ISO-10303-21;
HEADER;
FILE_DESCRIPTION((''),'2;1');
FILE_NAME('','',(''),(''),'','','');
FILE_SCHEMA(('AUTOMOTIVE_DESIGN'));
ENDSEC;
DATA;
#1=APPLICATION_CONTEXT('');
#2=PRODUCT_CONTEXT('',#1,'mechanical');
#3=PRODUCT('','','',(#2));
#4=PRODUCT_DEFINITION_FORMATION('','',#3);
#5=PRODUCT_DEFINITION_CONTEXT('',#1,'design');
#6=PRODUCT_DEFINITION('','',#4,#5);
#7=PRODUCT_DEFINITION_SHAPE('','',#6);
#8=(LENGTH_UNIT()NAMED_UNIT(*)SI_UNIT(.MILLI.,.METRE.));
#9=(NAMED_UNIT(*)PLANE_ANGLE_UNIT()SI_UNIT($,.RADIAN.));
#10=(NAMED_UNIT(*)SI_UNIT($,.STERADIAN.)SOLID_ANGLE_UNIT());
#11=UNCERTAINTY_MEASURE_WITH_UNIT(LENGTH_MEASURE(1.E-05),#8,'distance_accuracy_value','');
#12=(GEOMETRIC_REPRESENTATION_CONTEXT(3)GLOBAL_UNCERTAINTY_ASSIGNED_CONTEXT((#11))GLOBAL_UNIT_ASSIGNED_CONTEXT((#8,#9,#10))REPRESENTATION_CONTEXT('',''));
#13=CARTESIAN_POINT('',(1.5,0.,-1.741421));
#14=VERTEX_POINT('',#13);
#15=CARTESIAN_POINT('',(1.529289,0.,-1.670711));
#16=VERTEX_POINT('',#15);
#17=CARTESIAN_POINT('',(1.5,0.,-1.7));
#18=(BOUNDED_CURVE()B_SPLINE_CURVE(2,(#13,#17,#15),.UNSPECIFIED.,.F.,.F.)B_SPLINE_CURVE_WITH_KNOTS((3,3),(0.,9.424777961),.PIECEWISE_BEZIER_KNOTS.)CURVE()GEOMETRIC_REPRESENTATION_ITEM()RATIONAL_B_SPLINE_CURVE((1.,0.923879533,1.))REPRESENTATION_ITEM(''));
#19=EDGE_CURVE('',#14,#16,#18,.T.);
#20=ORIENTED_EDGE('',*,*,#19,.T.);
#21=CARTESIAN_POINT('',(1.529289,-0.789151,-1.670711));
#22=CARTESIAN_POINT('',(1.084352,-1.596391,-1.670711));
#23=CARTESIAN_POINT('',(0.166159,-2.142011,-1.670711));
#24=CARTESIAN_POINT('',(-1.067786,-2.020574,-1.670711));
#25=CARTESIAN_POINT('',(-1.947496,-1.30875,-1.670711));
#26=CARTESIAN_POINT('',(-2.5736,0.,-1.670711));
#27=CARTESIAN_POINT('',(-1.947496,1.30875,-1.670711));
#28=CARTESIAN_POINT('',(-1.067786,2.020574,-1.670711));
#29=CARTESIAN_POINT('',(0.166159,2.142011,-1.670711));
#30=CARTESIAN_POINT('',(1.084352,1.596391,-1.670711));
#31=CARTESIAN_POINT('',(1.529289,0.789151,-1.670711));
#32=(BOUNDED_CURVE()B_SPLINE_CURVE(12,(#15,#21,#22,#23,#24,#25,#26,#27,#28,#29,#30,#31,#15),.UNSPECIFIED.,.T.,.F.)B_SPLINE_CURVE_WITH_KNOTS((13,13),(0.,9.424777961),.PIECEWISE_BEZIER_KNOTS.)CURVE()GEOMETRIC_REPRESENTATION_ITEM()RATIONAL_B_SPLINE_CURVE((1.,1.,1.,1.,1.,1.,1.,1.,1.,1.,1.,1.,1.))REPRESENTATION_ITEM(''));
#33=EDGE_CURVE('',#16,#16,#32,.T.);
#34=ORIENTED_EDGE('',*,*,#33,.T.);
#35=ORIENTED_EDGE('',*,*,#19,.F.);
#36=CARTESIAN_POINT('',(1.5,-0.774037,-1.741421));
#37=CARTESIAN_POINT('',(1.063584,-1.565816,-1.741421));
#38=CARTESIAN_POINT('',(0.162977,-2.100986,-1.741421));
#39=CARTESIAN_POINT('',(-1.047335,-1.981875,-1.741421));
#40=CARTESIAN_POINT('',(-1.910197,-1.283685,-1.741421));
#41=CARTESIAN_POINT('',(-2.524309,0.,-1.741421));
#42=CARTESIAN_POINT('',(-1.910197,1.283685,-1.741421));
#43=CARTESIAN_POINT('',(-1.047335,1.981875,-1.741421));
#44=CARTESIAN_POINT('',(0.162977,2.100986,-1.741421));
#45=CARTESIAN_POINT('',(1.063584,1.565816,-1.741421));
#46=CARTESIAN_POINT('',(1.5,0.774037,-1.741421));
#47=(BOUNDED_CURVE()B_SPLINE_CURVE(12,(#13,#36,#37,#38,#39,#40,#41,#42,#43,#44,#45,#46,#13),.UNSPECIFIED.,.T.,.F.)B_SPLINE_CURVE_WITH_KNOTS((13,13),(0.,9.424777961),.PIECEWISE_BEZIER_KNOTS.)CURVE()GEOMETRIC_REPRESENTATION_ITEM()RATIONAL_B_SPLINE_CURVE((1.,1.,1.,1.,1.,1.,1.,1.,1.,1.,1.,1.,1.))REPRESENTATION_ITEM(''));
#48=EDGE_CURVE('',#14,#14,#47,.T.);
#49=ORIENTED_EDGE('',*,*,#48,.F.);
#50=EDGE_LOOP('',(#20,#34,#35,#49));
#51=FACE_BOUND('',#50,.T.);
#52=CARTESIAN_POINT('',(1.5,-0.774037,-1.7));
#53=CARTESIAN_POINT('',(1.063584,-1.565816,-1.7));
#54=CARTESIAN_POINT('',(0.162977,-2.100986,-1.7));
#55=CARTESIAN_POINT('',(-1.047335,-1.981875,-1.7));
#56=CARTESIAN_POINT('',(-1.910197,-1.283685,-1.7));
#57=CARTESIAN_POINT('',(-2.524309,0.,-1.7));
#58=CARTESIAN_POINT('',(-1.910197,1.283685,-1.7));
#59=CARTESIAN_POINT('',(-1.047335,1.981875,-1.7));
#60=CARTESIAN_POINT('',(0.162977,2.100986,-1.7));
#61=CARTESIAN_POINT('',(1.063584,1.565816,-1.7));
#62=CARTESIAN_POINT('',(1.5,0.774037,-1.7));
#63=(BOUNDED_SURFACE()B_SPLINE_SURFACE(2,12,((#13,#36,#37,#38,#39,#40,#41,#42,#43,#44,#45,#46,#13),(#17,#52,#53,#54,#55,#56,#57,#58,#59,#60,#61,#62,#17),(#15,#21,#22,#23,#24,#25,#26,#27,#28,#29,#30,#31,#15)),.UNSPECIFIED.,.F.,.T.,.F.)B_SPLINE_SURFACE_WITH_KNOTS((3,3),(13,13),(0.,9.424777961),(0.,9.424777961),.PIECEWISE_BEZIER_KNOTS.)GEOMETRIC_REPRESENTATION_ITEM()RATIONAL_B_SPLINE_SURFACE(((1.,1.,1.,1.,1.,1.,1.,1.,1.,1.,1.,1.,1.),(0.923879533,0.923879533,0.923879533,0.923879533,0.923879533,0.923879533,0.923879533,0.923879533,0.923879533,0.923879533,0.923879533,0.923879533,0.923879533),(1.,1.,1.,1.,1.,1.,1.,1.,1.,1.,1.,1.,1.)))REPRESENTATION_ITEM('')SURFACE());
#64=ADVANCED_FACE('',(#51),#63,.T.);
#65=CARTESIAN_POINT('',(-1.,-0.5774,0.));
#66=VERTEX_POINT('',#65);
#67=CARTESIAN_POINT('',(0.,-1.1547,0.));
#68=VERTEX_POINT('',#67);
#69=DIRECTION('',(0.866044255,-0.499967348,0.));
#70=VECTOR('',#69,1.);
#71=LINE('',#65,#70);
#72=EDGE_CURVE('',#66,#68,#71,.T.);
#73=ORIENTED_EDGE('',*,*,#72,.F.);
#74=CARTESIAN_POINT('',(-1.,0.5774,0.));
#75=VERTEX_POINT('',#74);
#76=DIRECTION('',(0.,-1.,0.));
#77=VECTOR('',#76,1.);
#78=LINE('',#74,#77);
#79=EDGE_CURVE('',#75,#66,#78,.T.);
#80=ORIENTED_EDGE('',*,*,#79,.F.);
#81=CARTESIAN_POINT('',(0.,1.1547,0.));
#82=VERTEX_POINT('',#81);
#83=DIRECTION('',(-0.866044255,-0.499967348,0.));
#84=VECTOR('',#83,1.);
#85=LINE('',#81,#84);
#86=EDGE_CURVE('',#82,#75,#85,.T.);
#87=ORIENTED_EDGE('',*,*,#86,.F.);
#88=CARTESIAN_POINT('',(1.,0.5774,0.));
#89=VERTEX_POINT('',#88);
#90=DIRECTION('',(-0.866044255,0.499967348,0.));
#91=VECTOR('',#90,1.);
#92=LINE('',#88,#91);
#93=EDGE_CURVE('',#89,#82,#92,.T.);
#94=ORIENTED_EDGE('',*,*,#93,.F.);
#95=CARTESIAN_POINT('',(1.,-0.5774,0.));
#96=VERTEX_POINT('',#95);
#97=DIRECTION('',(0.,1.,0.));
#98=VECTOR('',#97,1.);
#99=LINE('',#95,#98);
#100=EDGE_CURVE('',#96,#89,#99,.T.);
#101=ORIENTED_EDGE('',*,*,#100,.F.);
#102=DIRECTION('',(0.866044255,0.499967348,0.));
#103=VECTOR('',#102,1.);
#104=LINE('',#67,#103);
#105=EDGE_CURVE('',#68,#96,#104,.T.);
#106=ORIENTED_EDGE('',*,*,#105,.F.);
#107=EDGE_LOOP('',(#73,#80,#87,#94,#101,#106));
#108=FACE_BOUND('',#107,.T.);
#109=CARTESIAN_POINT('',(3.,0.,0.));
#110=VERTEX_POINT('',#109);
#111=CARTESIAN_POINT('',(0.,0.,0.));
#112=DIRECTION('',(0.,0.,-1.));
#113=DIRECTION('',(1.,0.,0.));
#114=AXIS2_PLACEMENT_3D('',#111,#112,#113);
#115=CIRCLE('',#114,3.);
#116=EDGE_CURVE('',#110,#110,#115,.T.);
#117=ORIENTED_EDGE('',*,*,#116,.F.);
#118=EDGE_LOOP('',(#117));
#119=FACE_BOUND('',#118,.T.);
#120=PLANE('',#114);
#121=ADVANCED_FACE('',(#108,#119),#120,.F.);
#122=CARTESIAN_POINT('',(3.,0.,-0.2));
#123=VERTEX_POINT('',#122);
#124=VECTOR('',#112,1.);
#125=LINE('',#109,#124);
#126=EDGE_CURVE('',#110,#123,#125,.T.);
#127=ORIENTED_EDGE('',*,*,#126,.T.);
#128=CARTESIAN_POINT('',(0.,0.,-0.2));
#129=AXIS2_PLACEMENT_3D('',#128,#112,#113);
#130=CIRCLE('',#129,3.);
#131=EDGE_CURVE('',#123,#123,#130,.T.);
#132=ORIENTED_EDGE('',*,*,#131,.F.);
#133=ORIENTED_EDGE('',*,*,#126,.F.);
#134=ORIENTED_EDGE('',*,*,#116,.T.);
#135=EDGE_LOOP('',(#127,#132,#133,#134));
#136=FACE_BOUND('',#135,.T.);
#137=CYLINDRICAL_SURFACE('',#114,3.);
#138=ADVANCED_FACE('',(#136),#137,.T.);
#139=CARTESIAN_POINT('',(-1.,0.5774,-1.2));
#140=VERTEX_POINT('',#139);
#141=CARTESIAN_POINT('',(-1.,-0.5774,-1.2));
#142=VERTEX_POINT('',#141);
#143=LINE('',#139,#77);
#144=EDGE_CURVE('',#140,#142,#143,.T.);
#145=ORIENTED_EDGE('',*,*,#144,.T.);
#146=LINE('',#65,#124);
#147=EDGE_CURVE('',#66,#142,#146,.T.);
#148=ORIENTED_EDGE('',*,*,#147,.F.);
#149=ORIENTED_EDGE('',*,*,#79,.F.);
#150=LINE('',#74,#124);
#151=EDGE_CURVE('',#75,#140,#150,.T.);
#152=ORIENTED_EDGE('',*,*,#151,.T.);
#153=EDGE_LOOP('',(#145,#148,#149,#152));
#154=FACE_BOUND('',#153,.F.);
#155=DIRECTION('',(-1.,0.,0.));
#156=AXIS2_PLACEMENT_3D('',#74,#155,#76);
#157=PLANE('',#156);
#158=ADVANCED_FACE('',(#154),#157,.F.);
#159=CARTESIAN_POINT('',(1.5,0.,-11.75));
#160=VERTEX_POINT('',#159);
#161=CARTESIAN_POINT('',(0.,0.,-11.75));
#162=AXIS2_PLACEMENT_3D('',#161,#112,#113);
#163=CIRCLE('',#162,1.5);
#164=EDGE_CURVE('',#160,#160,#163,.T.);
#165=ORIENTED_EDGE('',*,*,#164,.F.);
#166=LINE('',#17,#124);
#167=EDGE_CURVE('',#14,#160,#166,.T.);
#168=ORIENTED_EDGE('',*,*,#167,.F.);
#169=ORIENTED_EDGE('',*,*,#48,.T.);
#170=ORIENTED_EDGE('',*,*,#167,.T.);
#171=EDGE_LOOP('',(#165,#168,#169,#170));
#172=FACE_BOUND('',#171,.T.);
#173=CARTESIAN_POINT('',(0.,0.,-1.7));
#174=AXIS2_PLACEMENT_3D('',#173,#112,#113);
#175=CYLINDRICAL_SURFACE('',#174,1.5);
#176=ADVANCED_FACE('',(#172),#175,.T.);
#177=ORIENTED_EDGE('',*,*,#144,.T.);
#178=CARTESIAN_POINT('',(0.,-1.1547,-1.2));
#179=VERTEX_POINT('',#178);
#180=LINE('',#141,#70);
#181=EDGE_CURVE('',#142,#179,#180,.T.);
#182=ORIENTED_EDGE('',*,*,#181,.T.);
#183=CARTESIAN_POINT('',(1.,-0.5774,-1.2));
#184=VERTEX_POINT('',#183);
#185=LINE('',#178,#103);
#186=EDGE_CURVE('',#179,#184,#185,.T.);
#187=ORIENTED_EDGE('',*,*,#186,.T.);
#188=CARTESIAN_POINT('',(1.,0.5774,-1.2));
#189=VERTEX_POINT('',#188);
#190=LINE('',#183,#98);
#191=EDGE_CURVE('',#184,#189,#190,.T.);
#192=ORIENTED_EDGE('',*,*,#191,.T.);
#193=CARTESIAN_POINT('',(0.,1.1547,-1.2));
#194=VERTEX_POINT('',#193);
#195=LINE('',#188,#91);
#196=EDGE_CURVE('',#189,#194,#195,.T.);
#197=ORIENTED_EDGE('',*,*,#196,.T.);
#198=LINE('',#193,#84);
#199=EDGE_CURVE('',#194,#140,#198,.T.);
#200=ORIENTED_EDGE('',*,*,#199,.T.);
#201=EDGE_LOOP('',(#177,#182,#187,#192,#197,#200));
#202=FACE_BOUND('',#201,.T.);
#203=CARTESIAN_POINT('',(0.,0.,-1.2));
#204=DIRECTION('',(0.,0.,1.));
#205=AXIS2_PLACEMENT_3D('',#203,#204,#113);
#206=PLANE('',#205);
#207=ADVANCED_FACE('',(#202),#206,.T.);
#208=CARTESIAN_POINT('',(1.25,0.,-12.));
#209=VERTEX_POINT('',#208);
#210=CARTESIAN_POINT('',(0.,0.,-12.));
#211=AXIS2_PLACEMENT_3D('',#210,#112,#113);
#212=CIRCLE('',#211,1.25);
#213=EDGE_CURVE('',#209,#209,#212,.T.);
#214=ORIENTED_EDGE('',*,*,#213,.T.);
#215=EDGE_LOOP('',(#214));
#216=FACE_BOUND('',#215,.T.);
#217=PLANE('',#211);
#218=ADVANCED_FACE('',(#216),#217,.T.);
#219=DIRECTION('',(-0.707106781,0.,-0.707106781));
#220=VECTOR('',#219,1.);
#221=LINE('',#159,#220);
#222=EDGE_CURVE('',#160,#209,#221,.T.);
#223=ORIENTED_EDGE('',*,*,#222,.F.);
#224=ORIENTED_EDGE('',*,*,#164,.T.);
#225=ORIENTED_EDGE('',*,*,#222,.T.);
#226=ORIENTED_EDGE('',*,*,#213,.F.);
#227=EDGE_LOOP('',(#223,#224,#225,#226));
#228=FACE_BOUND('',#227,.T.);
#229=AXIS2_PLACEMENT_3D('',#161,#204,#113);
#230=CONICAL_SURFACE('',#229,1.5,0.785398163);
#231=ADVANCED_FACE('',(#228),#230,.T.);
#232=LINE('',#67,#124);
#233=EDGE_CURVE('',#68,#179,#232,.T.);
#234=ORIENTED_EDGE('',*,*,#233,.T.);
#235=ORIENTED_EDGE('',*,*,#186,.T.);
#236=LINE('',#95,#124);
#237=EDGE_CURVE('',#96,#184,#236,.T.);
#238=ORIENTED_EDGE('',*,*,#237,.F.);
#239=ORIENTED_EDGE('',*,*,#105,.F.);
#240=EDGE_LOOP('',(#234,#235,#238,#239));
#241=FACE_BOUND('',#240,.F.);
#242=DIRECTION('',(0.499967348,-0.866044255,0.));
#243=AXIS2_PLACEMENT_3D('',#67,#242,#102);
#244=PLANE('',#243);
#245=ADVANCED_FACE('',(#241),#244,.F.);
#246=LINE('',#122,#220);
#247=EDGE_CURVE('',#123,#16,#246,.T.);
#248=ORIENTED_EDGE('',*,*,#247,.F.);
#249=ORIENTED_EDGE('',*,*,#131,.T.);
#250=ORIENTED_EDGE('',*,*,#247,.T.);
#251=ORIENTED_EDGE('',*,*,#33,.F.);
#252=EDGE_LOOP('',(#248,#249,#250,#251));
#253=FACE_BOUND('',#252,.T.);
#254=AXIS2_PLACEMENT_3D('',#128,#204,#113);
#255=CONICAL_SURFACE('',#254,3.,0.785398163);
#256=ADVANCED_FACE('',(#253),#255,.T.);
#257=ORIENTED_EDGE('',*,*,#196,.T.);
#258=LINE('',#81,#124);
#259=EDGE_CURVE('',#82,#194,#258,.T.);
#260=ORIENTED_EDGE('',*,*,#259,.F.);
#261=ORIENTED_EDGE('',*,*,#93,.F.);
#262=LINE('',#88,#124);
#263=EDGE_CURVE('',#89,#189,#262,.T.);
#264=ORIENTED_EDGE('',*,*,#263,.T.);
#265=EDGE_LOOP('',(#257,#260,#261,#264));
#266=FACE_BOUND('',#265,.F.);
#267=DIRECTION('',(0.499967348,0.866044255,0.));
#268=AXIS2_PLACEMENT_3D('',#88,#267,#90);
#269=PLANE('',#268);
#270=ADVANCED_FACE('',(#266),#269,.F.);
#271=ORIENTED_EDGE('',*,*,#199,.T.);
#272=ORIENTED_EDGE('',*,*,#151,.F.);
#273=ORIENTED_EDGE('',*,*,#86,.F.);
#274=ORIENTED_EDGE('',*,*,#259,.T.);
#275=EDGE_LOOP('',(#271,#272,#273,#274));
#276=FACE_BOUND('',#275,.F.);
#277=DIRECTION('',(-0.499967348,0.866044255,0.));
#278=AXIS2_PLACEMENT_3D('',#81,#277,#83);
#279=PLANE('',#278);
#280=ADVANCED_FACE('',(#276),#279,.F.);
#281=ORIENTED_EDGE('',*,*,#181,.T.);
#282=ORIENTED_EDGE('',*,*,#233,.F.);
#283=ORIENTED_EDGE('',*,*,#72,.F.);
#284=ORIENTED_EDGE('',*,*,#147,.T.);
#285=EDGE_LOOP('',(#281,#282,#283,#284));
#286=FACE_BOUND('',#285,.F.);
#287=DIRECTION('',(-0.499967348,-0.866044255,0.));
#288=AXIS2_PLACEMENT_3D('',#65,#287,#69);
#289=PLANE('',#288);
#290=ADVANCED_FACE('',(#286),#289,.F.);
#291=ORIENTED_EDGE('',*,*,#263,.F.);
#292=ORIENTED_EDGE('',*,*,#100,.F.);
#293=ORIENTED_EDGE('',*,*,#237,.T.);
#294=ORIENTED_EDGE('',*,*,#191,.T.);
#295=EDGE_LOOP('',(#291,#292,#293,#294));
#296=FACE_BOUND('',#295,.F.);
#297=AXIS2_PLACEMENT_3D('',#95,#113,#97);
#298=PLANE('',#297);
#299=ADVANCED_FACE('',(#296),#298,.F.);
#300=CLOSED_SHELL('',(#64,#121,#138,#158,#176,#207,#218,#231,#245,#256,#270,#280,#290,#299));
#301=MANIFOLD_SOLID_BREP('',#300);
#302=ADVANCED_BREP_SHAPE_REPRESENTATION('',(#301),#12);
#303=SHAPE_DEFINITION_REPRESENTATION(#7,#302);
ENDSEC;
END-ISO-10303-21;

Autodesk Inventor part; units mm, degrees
ref_plane "YZ Plane" through (0, 0, 0) normal (1, 0, 0) x (0, 1, 0)
sketch "Sketch1" plane through (0, 0, 0) normal (0, 1, 0) x (-1, 0, 0)
  point P0 (0, 0)
sketch "Sketch2" plane through (0, 0, 0) normal (0, 1, 0) x (-1, 0, 0)
  line L0 (-1.5, -12) -> (0, -12)
  line L1 (-1.5, -1.7) -> (-1.5, -12)
  line L2 (-3, -0.2) -> (-1.5, -1.7)
  line L3 (-3, 0) -> (-3, -0.2)
  line L4 (0, 0) -> (-3, 0)
  line L5 (0, -12) -> (0, 0)
  line L6 (0, -12) -> (0, 0)
  line L7 (0, -14.4) -> (0, 2.4) projected
  line L8 (0.6, 0) -> (-3.6, 0) projected
  dimension "d3" = 3
  dimension "d5" = 1.5
  dimension "d7" = 12
  dimension "ParC" = 0.2
  dimension "d22" = 0
  dimension "d23" = 0
  dimension "d43" = 45
revolve "Revolution1" add sketch "Sketch2" angle 360 about axis through (0, 0, -12) along (0, 0, -1)
sketch "Sketch3" plane through (0, 0, 0) normal (0, 0, 1) x (1, 0, 0)
  line L0 (-1, 0.5774) -> (-1, -0.5774)
  line L1 (0, 1.1547) -> (-1, 0.5774)
  line L2 (1, 0.5774) -> (0, 1.1547)
  line L3 (1, -0.5774) -> (1, 0.5774)
  line L4 (0, -1.1547) -> (1, -0.5774)
  line L5 (-1, -0.5774) -> (0, -1.1547)
  circle A0 centre (0, 0) radius 1 construction
  circle A1 centre (0, 0) radius 1.5 construction
  dimension "d11" = 2
  dimension "d13" = 120
  dimension "d15" = 120
extrude "Extrusion1" cut sketch "Sketch3" against normal blind 1.2
fillet "Fillet1" radius 0.1 1 edges at (-1.5, 0, -1.7)
chamfer "Chamfer1" distance 0.25 angle 45 1 edges at (-1.5, 0, -12) measured on face at (1.4041, 0.5277, -8.5805)
thread "Thread1" size "M3x0.5" class "6g" standard "ISO Metric profile" length 9.3
ref_plane "MSC_PF1" through (0, 0, 0) normal (1, 0, 0) x (0, 1, 0)
ref_plane "MSC_PT1" through (0, 0, 0) normal (0, 0, -1) x (-1, 0, 0)
equation "\"d3\" = 0.5 * dk"
equation "\"d5\" = 0.5 * NND"
equation "\"d7\" = NLG"
equation "\"d43\" = 0.5 * ang"
equation "\"d18\" = r"
equation "\"d19\" = 0.5 * PTC"
equation "\"d39\" = 0.5 * PTC"
equation "\"d11\" = ParS"
equation "\"d16\" = ParT"
equation "\"NND\" = 3"
equation "\"PTC\" = 0.5"
equation "\"dk\" = 6"
equation "\"ParK\" = 1.7"
equation "\"ParS\" = 2"
equation "\"ParT\" = 1.2"
equation "\"r\" = 0.1"
equation "\"NLG\" = 12"
equation "\"ang\" = 90deg"
equation "\"THREADDIA\" = NND"
properties part number "ISO 10642 - M3x12" material "Steel, Mild"
